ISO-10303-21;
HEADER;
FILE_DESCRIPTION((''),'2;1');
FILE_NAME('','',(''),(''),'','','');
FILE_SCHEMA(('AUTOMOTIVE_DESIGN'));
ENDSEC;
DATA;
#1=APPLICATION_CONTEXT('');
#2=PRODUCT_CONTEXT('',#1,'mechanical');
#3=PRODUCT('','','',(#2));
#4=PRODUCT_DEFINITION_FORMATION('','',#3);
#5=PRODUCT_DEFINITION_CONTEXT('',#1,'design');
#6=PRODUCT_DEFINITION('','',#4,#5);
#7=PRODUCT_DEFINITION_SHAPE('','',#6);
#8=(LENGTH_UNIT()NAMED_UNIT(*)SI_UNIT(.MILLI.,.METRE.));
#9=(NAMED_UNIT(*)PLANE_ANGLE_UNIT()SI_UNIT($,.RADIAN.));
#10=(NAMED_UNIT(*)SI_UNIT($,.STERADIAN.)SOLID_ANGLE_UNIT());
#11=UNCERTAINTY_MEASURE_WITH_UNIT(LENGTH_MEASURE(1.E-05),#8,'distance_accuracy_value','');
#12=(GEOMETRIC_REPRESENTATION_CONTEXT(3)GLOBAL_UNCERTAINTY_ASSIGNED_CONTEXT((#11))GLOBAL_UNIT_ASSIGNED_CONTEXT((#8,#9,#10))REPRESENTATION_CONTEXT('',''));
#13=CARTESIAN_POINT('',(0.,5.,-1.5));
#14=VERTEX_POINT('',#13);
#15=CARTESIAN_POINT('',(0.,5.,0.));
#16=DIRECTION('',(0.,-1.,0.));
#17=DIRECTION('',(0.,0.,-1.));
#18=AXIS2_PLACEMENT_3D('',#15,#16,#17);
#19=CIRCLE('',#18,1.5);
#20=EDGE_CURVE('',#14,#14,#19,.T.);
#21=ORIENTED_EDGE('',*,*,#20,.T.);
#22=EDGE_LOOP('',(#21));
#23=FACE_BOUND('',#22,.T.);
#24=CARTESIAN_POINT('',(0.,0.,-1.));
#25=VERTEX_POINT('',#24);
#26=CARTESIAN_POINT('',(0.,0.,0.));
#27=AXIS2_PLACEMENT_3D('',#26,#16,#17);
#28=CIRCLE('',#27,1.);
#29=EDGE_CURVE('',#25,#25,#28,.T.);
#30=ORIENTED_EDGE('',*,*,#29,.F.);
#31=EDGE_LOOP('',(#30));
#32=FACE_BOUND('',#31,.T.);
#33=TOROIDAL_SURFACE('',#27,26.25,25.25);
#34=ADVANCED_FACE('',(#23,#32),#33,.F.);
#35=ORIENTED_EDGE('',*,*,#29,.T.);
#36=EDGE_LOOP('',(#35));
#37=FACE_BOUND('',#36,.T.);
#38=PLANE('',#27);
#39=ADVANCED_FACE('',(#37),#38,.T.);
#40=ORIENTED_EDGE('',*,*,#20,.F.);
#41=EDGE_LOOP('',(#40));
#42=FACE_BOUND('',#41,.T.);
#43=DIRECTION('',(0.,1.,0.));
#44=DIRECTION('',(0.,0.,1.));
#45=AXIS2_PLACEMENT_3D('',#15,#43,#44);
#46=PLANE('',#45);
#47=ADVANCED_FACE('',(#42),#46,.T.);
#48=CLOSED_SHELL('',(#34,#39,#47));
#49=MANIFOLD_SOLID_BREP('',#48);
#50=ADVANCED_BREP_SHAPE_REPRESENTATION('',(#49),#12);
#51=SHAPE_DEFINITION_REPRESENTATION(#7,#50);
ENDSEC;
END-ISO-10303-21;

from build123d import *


with BuildPart() as part:
    # Sketch4 → Revolve1 (revolve)
    with BuildSketch(Plane.XY):
        with BuildLine():
            Line((0, 0), (0, 5))
            Line((0, 5), (1.5, 5))
            ThreePointArc((1.5, 5), (1.125310947, 2.512468905), (1, 0))
            Line((1, 0), (0, 0))
        make_face()
    revolve(axis=Axis((0, 0, 0), (0, 1, 0)))


solid = part.part
